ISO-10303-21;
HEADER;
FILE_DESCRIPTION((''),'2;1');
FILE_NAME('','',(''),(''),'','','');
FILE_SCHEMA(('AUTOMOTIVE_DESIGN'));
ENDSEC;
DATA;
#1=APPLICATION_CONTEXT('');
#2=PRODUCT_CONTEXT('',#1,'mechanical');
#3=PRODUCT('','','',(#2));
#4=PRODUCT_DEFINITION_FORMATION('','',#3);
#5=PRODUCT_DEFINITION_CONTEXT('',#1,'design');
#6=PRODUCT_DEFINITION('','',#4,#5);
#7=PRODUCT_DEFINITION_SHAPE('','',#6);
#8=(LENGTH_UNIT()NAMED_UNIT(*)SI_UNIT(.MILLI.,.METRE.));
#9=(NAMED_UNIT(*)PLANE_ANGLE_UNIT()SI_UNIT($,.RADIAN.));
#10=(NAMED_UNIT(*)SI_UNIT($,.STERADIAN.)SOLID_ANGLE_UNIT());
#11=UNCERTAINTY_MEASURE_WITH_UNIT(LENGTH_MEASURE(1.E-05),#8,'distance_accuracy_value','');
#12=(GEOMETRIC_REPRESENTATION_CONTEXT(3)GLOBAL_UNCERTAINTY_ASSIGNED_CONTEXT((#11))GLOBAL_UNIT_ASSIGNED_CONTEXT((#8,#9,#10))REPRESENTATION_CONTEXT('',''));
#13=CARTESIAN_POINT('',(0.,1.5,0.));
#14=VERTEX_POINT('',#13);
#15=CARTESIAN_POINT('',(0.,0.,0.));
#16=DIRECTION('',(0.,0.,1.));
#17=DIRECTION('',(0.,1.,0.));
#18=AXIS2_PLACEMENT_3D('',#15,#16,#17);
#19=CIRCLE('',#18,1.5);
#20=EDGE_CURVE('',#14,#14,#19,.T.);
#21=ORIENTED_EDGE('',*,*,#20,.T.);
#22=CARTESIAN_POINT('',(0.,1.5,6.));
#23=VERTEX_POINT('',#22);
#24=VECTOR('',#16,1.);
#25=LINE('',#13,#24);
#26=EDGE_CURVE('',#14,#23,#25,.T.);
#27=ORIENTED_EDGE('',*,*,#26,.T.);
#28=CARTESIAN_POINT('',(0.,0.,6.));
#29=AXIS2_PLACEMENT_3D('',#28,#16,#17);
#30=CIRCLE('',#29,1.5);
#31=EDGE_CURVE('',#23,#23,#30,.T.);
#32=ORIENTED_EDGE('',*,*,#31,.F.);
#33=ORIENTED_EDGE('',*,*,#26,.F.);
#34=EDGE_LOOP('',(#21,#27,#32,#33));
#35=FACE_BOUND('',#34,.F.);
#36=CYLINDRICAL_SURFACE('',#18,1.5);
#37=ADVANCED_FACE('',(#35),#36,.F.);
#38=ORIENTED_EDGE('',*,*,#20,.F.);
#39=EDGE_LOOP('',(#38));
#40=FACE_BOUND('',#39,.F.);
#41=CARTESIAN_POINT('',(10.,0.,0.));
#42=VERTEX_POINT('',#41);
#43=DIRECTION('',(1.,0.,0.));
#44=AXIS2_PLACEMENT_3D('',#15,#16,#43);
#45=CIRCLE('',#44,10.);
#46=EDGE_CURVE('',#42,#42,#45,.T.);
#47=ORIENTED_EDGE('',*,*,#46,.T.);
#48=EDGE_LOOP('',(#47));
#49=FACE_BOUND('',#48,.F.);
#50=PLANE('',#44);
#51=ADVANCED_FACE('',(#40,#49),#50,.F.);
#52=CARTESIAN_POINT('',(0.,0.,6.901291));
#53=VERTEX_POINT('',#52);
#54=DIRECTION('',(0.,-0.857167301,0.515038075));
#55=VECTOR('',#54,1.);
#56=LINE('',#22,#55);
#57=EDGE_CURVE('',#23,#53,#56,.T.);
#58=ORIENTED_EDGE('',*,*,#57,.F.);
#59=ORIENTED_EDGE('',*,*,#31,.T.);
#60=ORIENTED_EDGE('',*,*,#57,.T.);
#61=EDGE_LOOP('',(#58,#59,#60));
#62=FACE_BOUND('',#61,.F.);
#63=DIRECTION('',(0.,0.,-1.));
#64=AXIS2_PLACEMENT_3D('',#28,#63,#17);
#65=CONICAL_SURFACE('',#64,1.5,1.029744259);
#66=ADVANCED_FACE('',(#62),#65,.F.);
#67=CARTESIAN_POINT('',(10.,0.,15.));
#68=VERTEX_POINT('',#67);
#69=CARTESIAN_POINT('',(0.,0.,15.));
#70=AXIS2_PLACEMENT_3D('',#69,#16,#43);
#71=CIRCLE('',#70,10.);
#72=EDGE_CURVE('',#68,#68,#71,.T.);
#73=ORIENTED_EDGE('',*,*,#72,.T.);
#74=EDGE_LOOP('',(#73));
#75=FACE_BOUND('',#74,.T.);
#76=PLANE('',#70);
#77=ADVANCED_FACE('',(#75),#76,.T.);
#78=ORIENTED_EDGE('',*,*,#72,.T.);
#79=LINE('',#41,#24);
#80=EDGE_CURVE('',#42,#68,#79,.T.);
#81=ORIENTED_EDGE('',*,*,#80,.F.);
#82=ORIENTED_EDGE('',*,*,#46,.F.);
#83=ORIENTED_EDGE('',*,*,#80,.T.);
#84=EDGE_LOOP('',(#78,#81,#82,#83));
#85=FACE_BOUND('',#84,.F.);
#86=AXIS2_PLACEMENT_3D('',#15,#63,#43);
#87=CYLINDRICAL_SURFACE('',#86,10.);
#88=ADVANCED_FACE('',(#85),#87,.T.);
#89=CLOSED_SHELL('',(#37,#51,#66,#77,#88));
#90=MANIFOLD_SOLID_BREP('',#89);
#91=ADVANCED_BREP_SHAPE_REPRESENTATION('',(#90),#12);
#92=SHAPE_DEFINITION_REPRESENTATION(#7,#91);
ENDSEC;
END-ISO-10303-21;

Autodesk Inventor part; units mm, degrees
ref_plane "YZ Plane" through (0, 0, 0) normal (1, 0, 0) x (0, 1, 0)
ref_plane "XZ Plane" through (0, 0, 0) normal (0, 1, 0) x (-1, 0, 0)
ref_plane "XY Plane" through (0, 0, 0) normal (0, 0, 1) x (1, 0, 0)
sketch "Sketch1" plane through (0, 0, 0) normal (0, 0, 1) x (1, 0, 0)
  circle A0 centre (0, 0) radius 10
  dimension "d0" = 20
extrude "Extrusion1" add sketch "Sketch1" along normal blind 15
sketch "Sketch2" plane through (0, 0, 0) normal (0, 0, -1) x (-1, 0, 0)
  circle A0 centre (0, 0) radius 10 projected
hole "Hole1" at (0, 0, 0) direction (0, 0, 1) diameter 3 depth 6 tip angle 118
thread "Thread1" size "5-40 UNC" class "2B" standard "ANSI Unified Screw Threads" length 76.2
properties part number "electromagnet"
